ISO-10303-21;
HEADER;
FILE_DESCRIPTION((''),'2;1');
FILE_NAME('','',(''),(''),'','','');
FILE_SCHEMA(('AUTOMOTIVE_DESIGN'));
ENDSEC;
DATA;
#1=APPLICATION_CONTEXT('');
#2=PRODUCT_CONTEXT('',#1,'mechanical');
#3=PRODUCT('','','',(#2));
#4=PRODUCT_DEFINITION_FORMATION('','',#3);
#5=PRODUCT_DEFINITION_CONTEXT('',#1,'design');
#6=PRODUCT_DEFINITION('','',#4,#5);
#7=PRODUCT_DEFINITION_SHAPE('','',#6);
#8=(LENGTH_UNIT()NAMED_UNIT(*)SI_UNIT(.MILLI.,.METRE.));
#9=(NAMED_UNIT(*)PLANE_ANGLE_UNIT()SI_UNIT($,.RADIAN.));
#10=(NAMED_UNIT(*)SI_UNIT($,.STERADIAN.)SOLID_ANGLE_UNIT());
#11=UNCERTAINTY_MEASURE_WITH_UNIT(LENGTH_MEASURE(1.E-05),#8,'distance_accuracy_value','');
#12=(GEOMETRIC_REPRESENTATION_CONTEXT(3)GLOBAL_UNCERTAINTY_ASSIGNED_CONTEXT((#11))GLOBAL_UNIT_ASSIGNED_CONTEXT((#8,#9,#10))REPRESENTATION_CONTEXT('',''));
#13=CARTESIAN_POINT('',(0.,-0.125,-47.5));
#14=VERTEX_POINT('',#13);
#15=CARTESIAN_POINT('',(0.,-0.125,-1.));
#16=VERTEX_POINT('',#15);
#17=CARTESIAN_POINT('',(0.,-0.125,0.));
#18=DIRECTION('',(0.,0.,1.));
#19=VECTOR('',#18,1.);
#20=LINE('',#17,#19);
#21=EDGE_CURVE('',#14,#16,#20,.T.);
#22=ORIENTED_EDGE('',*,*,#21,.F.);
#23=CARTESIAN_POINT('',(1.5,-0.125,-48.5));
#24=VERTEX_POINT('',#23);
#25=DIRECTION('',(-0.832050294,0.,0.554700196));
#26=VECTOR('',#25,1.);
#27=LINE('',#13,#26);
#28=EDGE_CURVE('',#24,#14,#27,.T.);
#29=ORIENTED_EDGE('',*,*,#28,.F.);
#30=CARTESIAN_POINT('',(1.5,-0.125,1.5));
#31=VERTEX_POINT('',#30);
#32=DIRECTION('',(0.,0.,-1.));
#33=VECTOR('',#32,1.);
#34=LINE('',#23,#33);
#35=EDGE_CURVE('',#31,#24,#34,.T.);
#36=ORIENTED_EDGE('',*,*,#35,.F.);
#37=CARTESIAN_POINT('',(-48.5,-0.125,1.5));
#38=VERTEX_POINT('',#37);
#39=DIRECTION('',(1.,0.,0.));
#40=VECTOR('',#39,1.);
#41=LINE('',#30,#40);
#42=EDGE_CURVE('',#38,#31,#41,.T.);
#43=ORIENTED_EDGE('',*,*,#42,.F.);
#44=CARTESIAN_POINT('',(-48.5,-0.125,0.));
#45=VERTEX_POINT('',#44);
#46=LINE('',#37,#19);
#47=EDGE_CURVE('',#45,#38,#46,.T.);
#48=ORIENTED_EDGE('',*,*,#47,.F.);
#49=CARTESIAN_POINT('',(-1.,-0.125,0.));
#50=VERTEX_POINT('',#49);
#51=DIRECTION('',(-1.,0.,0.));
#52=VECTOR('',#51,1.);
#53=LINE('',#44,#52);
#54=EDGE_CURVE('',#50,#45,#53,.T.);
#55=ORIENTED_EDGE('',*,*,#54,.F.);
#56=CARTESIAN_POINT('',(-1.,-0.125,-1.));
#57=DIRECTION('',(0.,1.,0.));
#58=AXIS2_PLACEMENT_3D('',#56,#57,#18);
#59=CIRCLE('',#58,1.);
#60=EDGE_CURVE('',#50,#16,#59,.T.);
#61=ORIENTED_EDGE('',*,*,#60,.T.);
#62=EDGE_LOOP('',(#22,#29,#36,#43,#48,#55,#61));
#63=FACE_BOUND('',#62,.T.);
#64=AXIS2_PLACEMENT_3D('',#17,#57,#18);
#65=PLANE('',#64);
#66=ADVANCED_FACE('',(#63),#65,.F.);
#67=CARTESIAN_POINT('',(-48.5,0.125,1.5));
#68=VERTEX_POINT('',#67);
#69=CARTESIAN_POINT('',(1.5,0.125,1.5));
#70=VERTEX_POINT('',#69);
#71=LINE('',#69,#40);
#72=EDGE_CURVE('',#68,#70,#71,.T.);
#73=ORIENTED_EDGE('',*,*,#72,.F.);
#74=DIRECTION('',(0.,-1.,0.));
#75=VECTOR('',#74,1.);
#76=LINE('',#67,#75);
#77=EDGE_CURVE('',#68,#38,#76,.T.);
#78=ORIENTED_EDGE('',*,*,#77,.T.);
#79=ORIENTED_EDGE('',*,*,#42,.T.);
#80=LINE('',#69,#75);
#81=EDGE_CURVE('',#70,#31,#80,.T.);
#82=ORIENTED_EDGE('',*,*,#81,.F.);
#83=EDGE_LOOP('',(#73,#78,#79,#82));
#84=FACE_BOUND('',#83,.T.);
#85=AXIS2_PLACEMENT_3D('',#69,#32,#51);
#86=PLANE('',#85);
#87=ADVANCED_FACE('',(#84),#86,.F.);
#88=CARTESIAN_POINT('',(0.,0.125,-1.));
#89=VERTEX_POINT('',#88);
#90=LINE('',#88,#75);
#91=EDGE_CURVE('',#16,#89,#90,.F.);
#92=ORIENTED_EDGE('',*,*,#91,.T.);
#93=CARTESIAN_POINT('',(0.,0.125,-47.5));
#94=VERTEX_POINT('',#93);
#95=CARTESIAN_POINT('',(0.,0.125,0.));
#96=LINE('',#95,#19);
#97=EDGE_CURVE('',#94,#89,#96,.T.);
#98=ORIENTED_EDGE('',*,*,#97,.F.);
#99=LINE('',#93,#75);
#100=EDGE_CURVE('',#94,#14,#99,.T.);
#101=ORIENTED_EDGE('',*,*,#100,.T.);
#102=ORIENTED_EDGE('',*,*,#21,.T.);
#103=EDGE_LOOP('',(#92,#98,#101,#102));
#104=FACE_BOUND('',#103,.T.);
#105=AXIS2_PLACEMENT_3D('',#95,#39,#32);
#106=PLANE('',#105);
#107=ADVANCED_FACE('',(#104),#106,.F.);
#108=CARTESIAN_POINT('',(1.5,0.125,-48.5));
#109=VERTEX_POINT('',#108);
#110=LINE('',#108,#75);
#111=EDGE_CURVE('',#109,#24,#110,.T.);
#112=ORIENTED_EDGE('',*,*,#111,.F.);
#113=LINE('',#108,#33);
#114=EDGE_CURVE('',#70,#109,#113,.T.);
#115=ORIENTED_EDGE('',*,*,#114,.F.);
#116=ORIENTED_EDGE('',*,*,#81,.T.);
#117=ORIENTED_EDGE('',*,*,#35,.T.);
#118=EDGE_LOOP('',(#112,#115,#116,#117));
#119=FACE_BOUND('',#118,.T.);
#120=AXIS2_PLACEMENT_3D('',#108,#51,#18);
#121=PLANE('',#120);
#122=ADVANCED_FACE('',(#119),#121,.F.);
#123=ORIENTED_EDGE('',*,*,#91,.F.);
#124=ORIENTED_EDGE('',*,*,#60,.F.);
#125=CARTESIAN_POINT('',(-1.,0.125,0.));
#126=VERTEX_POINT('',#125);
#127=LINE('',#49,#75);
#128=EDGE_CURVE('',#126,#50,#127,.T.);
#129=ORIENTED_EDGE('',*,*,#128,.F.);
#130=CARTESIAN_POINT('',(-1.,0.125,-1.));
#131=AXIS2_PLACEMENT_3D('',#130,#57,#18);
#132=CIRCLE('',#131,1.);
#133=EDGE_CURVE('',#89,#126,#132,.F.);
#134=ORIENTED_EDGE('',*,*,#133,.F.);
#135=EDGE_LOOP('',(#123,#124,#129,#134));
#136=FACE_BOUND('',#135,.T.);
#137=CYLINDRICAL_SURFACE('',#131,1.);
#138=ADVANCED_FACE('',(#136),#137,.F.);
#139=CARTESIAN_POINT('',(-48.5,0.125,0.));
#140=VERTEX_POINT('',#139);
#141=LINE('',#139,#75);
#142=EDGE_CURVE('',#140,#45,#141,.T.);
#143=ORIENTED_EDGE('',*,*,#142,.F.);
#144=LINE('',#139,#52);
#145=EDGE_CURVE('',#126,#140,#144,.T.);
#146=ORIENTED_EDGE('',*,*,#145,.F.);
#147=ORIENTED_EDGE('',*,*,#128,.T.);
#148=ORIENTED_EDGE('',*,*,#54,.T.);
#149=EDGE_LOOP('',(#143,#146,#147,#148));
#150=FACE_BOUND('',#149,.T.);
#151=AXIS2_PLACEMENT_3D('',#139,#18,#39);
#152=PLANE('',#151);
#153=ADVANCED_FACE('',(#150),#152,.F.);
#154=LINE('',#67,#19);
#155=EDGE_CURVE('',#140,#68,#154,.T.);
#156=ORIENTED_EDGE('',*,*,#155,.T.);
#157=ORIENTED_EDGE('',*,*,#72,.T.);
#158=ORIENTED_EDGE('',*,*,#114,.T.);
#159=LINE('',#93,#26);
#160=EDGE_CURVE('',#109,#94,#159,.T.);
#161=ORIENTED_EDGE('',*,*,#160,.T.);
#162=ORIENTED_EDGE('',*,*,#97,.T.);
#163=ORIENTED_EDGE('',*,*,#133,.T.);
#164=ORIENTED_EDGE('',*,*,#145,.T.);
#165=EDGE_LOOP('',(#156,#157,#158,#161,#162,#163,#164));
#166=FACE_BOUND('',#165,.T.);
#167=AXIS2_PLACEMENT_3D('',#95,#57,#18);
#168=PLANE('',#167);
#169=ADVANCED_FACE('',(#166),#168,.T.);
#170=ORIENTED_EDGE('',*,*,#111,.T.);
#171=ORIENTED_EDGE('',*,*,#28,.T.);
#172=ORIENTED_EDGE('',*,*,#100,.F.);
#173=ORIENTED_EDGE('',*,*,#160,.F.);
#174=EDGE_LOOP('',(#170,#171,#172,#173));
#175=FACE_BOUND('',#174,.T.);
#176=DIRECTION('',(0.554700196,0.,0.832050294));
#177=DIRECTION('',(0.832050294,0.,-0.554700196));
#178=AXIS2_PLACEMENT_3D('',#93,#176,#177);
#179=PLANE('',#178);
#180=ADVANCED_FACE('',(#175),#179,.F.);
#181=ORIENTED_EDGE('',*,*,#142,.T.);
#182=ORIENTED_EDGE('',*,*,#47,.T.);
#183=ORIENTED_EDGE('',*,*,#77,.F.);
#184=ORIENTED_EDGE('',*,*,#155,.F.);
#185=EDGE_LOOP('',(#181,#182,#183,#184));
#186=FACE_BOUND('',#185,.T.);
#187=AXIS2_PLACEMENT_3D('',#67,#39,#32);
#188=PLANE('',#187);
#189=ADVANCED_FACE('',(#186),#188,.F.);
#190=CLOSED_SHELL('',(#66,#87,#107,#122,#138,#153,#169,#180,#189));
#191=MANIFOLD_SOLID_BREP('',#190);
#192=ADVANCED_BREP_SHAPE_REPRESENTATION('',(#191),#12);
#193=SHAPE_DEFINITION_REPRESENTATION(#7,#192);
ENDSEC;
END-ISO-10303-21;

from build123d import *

# Parameters (mm, degrees)
BOSS_EXTRUDE2_DEPTH = 0.125
FILLET2_R           = 1


with BuildPart() as part:
    # Sketch2 → Boss-Extrude2 (new, symmetric)
    with BuildSketch(Plane(origin=(0, 0, 0), x_dir=(1, 0, 0), z_dir=(0, 1, 0))):
        Polygon((0, 0), (0, 47.5), (1.5, 48.5), (1.5, -1.5), (-48.5, -1.5), (-48.5, 0), align=None)
    extrude(amount=BOSS_EXTRUDE2_DEPTH, both=True)

    # Fillet2
    fillet2_edges = [part.edges().sort_by_distance(p)[0] for p in [
        (0, 0, 0),
    ]]
    fillet(fillet2_edges, radius=FILLET2_R)


solid = part.part
